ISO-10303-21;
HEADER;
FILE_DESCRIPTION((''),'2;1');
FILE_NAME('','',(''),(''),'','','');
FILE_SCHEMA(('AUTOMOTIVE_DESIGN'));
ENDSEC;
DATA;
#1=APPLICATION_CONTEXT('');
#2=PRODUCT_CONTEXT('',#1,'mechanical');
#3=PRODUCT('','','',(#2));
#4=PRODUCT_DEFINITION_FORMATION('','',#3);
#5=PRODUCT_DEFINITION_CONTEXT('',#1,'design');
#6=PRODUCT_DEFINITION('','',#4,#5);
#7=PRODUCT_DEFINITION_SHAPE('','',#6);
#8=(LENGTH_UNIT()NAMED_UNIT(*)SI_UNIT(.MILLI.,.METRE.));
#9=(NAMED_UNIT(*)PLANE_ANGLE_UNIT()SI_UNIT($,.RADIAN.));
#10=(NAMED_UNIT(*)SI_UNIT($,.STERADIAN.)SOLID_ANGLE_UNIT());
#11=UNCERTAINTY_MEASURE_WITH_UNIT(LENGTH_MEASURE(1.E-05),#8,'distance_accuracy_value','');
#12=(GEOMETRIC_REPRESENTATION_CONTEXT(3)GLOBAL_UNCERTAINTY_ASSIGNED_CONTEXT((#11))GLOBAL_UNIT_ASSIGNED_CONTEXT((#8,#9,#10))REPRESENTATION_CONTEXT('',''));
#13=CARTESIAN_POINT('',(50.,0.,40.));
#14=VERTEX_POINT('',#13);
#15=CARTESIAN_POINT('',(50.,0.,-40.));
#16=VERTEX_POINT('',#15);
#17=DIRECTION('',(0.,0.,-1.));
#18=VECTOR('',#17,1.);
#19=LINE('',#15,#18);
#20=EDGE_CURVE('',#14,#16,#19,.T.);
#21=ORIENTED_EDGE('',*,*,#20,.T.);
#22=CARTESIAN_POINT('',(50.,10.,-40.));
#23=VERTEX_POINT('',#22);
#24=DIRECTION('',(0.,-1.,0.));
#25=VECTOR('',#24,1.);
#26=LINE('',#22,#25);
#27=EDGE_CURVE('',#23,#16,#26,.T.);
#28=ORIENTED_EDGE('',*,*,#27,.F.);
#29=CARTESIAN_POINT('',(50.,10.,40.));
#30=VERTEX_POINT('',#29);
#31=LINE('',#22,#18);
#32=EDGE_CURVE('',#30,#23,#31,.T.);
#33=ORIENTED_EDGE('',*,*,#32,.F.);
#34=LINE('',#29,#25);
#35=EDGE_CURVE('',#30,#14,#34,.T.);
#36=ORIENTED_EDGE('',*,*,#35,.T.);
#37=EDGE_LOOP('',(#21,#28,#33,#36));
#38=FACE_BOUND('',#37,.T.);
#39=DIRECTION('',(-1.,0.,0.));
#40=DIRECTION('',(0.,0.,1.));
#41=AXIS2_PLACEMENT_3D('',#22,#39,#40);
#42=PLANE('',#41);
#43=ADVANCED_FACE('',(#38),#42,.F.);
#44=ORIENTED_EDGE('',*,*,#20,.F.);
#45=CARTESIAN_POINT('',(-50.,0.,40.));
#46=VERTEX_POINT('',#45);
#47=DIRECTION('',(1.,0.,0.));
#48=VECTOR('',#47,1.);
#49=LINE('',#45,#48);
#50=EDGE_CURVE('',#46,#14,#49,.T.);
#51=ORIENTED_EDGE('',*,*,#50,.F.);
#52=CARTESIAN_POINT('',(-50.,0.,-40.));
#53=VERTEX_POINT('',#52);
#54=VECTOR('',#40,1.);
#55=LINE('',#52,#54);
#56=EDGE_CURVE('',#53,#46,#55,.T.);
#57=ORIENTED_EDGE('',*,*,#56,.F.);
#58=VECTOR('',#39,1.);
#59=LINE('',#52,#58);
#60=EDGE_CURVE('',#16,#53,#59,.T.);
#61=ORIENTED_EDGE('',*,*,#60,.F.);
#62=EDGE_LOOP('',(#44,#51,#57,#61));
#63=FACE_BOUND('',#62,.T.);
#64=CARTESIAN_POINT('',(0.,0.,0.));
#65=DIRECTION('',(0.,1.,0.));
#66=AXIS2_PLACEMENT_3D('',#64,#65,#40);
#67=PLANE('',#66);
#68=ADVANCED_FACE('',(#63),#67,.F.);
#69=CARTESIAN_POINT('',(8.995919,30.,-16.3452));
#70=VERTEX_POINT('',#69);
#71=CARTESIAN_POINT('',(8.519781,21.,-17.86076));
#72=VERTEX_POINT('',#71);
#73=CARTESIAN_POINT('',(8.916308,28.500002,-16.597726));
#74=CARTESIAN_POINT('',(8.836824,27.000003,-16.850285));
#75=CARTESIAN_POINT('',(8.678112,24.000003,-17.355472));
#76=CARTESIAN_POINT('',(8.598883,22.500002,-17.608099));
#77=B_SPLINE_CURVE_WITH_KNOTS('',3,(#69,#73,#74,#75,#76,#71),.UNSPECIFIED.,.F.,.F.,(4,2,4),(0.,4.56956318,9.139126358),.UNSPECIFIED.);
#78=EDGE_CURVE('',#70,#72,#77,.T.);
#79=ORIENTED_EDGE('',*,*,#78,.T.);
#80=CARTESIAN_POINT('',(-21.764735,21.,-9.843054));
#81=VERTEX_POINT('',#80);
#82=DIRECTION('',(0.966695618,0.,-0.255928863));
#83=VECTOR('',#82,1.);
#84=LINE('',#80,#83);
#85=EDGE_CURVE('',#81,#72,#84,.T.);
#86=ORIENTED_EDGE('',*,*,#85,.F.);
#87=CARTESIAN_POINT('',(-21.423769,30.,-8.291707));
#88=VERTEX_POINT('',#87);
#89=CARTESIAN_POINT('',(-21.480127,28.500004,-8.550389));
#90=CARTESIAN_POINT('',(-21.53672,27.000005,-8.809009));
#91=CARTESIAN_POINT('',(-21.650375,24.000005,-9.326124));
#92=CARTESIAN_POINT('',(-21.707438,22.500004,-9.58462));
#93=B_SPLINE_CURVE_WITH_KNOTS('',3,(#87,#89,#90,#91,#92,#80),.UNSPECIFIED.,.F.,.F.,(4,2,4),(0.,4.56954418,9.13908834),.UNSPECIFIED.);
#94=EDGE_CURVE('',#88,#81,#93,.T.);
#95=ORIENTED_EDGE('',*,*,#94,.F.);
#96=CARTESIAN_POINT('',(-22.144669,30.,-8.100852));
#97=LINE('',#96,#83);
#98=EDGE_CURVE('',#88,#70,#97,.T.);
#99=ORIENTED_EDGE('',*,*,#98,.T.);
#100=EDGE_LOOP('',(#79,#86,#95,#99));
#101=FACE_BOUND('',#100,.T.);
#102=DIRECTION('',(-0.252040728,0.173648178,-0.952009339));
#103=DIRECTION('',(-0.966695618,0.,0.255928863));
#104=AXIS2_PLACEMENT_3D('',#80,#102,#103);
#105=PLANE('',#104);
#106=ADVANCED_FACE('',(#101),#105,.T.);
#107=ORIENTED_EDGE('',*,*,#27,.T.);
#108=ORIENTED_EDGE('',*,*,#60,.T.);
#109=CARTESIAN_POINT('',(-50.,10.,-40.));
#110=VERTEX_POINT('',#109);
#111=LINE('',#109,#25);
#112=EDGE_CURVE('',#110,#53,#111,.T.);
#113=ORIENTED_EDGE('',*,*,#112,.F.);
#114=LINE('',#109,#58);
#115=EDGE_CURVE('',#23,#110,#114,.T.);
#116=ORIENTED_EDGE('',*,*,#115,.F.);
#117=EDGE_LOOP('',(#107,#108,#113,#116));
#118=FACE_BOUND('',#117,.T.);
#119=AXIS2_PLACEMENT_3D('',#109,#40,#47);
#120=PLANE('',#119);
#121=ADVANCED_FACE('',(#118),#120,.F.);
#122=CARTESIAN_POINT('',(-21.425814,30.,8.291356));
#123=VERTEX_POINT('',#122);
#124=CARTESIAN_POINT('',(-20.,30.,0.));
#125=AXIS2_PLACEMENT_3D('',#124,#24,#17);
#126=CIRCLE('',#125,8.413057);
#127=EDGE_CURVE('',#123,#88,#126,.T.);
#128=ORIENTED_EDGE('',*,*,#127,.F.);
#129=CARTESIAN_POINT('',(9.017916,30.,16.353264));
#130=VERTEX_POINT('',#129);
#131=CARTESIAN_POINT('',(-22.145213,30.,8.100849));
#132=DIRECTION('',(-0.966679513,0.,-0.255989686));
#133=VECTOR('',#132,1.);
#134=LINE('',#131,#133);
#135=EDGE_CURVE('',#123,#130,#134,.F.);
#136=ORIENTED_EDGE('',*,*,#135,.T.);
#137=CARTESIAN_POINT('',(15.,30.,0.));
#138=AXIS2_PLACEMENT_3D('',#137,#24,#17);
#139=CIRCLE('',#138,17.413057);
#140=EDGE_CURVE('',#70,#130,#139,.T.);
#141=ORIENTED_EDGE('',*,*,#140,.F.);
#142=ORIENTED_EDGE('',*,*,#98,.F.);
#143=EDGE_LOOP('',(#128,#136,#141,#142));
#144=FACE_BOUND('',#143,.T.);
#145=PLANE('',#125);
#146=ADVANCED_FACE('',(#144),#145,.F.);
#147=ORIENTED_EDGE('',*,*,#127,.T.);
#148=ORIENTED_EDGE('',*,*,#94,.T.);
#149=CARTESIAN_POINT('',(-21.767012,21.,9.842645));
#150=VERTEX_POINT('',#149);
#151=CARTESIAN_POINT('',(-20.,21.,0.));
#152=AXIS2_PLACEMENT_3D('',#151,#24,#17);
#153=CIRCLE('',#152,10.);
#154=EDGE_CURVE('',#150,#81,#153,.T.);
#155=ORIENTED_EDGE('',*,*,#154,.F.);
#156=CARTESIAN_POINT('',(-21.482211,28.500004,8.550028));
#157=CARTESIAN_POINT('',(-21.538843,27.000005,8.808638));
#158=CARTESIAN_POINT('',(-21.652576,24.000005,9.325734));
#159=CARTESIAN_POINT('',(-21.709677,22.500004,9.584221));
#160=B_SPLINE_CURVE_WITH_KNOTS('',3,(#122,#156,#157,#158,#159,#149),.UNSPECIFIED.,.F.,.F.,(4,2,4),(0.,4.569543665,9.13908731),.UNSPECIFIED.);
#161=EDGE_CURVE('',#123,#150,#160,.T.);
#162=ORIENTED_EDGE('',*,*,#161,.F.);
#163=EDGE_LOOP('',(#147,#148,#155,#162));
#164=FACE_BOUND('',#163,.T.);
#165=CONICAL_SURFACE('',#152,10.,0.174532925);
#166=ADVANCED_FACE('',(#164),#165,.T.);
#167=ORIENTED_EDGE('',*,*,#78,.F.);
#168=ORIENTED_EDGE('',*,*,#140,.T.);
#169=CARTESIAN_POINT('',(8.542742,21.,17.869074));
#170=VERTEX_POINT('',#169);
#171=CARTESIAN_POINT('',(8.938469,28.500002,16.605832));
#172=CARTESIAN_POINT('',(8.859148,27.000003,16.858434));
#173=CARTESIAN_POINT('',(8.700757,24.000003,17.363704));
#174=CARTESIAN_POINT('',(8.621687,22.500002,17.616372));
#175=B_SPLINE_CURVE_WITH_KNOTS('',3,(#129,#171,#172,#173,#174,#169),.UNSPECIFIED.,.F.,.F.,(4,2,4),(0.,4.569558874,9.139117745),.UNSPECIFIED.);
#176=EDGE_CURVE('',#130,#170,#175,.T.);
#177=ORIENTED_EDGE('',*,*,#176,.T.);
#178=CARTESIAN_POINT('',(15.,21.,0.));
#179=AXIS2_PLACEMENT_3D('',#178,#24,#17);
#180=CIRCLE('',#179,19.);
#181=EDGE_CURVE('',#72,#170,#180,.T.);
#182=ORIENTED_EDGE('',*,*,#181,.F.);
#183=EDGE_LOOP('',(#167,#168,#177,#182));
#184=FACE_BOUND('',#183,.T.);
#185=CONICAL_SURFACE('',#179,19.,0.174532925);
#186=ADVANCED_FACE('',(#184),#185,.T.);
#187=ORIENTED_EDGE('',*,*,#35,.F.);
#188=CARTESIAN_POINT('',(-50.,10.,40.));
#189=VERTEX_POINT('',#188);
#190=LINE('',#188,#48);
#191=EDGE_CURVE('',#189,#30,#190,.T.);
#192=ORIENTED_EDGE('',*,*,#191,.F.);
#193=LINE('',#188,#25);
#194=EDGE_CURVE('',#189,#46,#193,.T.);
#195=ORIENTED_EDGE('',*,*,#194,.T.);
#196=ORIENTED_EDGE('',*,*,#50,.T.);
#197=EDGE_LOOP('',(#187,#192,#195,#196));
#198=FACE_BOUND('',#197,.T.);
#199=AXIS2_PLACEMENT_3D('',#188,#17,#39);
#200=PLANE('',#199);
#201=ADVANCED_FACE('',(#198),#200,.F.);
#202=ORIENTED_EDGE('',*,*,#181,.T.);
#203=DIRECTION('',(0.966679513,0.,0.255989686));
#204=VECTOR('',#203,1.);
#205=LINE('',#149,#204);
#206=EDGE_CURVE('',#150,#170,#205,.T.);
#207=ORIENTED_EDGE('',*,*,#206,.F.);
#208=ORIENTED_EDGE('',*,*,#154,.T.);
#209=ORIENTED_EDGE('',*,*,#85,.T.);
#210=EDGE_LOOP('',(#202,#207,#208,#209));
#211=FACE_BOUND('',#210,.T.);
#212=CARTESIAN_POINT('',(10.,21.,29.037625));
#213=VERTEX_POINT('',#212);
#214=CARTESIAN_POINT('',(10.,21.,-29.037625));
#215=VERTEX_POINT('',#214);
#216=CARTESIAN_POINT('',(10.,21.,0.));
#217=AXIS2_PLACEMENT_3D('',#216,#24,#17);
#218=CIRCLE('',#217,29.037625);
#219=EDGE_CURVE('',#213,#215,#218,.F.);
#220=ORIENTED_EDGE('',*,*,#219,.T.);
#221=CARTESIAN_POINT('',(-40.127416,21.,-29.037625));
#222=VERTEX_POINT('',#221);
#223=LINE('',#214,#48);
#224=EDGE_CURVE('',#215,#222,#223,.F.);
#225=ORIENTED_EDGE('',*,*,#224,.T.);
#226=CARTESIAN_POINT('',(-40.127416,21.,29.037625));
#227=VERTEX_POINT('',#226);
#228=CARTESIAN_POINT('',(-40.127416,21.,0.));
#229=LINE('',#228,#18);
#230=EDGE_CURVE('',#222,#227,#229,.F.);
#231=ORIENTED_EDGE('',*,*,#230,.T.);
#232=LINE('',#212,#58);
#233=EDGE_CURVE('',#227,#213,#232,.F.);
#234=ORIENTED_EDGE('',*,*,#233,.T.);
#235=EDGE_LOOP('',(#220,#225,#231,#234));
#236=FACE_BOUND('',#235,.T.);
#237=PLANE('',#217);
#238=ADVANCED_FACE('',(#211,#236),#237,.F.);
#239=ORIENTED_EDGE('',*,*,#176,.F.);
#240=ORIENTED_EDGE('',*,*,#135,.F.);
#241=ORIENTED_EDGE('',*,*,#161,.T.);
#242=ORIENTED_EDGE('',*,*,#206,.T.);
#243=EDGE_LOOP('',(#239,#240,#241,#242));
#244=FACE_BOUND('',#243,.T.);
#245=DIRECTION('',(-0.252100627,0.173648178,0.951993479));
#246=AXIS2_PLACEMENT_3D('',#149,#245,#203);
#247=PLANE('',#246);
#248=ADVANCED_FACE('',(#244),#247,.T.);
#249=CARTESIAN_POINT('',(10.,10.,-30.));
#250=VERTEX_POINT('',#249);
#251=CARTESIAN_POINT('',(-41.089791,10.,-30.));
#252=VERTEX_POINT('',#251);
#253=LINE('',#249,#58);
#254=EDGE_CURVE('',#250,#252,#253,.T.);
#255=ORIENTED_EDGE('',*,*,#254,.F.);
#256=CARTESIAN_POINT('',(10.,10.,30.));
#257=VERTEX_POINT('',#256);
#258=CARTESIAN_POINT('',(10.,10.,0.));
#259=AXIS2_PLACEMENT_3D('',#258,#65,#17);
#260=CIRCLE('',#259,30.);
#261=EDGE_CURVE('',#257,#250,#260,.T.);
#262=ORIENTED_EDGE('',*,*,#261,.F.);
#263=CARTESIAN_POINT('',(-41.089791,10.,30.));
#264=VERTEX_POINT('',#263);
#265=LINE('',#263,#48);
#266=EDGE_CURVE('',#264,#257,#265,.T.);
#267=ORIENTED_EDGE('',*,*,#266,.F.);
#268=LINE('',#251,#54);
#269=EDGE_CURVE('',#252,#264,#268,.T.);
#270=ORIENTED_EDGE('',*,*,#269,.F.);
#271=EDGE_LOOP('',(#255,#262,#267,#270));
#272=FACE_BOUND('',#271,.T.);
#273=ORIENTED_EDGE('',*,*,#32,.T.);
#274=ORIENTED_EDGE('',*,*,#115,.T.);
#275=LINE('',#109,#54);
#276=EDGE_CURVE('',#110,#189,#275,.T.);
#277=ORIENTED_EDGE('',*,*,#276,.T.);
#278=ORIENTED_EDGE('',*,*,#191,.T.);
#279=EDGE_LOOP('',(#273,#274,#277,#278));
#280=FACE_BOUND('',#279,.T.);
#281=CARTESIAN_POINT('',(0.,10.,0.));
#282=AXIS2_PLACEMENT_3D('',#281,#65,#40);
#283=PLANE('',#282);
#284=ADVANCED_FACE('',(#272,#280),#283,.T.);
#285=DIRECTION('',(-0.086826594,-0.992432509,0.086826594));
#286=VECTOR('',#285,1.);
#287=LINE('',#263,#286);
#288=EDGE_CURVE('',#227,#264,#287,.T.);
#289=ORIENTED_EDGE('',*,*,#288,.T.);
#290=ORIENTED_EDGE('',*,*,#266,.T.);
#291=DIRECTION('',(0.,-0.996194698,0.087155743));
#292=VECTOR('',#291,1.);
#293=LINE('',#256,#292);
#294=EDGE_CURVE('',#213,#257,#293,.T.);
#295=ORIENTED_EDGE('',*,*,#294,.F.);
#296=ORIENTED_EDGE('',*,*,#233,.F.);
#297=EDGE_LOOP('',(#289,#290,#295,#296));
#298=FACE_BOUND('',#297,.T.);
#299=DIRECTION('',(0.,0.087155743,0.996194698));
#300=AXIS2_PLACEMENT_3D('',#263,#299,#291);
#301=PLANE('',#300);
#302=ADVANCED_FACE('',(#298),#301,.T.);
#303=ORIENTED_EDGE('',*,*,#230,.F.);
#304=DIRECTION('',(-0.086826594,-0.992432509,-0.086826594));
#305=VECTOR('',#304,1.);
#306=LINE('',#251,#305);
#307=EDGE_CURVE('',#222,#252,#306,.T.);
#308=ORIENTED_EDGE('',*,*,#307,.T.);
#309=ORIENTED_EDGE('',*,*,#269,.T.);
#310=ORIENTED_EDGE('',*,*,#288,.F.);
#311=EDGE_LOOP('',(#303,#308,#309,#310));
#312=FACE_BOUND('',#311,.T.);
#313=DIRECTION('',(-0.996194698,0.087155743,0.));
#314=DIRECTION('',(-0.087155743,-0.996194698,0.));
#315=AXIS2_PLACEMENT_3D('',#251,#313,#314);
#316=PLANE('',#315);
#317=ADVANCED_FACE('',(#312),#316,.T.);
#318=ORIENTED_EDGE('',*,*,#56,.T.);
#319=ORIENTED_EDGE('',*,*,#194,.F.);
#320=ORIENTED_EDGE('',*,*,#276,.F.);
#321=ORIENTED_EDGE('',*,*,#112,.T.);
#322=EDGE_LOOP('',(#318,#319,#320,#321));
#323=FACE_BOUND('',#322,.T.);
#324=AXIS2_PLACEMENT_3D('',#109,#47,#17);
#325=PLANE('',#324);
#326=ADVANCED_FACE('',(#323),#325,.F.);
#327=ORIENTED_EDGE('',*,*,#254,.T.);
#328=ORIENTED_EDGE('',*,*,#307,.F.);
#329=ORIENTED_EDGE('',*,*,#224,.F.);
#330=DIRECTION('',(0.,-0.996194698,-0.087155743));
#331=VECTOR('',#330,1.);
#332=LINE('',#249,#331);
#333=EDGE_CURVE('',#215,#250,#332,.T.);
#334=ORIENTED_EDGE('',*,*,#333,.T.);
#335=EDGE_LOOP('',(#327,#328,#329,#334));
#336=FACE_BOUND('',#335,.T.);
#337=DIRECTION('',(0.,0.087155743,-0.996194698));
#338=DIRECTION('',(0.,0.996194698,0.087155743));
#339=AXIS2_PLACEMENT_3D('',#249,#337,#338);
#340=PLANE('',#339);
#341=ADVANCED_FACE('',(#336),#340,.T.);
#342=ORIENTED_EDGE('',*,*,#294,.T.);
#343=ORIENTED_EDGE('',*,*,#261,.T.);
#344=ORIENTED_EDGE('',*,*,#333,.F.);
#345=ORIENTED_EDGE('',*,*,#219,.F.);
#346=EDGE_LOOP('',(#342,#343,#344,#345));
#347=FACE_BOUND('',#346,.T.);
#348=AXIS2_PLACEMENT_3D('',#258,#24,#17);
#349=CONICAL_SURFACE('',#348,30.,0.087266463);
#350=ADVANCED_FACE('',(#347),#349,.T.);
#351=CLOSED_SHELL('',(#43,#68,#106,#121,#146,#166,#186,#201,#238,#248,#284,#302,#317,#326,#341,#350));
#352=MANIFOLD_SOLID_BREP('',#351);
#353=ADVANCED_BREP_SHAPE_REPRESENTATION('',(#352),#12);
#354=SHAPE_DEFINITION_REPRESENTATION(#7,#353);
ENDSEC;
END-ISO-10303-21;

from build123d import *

# Parameters (mm, degrees)
SKETCH_1_W      = 100
SKETCH_1_H      = 80
EXTRUDE_1_DEPTH = 10
EXTRUDE_2_DEPTH = 11
EXTRUDE_2_TAPER = 5
EXTRUDE_3_DEPTH = 9
EXTRUDE_3_TAPER = 10


with BuildPart() as part:
    # 스케치1 → 보스-돌출1 (new body)
    with BuildSketch(Plane(origin=(0, 0, 0), x_dir=(1, 0, 0), z_dir=(0, 1, 0))):
        Rectangle(SKETCH_1_W, SKETCH_1_H)
    extrude(amount=EXTRUDE_1_DEPTH)

    # 스케치2 → 보스-돌출2 (add)
    with BuildSketch(Plane(origin=(0, 10, 0), x_dir=(1, 0, 0), z_dir=(0, 1, 0))):
        with BuildLine():
            Line((10, 30), (-41.089791126, 30))
            Line((-41.089791126, 30), (-41.089791126, -30))
            Line((-41.089791126, -30), (10, -30))
            ThreePointArc((10, -30), (40, 0), (10, 30))
        make_face()
    extrude(amount=EXTRUDE_2_DEPTH, taper=EXTRUDE_2_TAPER)

    # 스케치4 → 보스-돌출3 (add)
    with BuildSketch(Plane(origin=(0, 21, 0), x_dir=(1, 0, 0), z_dir=(0, 1, 0))):
        with BuildLine():
            ThreePointArc((-21.764734991, 9.843053917), (-29.999999933, 0.001156755), (-21.767012144, -9.84264538))
            Line((-21.767012144, -9.84264538), (8.542741709, -17.869074273))
            ThreePointArc((8.542741709, -17.869074273), (33.999996077, 0.012209678), (8.51978119, 17.860760459))
            Line((8.51978119, 17.860760459), (-21.764734991, 9.843053917))
        make_face()
    extrude(amount=EXTRUDE_3_DEPTH, taper=EXTRUDE_3_TAPER)


solid = part.part
